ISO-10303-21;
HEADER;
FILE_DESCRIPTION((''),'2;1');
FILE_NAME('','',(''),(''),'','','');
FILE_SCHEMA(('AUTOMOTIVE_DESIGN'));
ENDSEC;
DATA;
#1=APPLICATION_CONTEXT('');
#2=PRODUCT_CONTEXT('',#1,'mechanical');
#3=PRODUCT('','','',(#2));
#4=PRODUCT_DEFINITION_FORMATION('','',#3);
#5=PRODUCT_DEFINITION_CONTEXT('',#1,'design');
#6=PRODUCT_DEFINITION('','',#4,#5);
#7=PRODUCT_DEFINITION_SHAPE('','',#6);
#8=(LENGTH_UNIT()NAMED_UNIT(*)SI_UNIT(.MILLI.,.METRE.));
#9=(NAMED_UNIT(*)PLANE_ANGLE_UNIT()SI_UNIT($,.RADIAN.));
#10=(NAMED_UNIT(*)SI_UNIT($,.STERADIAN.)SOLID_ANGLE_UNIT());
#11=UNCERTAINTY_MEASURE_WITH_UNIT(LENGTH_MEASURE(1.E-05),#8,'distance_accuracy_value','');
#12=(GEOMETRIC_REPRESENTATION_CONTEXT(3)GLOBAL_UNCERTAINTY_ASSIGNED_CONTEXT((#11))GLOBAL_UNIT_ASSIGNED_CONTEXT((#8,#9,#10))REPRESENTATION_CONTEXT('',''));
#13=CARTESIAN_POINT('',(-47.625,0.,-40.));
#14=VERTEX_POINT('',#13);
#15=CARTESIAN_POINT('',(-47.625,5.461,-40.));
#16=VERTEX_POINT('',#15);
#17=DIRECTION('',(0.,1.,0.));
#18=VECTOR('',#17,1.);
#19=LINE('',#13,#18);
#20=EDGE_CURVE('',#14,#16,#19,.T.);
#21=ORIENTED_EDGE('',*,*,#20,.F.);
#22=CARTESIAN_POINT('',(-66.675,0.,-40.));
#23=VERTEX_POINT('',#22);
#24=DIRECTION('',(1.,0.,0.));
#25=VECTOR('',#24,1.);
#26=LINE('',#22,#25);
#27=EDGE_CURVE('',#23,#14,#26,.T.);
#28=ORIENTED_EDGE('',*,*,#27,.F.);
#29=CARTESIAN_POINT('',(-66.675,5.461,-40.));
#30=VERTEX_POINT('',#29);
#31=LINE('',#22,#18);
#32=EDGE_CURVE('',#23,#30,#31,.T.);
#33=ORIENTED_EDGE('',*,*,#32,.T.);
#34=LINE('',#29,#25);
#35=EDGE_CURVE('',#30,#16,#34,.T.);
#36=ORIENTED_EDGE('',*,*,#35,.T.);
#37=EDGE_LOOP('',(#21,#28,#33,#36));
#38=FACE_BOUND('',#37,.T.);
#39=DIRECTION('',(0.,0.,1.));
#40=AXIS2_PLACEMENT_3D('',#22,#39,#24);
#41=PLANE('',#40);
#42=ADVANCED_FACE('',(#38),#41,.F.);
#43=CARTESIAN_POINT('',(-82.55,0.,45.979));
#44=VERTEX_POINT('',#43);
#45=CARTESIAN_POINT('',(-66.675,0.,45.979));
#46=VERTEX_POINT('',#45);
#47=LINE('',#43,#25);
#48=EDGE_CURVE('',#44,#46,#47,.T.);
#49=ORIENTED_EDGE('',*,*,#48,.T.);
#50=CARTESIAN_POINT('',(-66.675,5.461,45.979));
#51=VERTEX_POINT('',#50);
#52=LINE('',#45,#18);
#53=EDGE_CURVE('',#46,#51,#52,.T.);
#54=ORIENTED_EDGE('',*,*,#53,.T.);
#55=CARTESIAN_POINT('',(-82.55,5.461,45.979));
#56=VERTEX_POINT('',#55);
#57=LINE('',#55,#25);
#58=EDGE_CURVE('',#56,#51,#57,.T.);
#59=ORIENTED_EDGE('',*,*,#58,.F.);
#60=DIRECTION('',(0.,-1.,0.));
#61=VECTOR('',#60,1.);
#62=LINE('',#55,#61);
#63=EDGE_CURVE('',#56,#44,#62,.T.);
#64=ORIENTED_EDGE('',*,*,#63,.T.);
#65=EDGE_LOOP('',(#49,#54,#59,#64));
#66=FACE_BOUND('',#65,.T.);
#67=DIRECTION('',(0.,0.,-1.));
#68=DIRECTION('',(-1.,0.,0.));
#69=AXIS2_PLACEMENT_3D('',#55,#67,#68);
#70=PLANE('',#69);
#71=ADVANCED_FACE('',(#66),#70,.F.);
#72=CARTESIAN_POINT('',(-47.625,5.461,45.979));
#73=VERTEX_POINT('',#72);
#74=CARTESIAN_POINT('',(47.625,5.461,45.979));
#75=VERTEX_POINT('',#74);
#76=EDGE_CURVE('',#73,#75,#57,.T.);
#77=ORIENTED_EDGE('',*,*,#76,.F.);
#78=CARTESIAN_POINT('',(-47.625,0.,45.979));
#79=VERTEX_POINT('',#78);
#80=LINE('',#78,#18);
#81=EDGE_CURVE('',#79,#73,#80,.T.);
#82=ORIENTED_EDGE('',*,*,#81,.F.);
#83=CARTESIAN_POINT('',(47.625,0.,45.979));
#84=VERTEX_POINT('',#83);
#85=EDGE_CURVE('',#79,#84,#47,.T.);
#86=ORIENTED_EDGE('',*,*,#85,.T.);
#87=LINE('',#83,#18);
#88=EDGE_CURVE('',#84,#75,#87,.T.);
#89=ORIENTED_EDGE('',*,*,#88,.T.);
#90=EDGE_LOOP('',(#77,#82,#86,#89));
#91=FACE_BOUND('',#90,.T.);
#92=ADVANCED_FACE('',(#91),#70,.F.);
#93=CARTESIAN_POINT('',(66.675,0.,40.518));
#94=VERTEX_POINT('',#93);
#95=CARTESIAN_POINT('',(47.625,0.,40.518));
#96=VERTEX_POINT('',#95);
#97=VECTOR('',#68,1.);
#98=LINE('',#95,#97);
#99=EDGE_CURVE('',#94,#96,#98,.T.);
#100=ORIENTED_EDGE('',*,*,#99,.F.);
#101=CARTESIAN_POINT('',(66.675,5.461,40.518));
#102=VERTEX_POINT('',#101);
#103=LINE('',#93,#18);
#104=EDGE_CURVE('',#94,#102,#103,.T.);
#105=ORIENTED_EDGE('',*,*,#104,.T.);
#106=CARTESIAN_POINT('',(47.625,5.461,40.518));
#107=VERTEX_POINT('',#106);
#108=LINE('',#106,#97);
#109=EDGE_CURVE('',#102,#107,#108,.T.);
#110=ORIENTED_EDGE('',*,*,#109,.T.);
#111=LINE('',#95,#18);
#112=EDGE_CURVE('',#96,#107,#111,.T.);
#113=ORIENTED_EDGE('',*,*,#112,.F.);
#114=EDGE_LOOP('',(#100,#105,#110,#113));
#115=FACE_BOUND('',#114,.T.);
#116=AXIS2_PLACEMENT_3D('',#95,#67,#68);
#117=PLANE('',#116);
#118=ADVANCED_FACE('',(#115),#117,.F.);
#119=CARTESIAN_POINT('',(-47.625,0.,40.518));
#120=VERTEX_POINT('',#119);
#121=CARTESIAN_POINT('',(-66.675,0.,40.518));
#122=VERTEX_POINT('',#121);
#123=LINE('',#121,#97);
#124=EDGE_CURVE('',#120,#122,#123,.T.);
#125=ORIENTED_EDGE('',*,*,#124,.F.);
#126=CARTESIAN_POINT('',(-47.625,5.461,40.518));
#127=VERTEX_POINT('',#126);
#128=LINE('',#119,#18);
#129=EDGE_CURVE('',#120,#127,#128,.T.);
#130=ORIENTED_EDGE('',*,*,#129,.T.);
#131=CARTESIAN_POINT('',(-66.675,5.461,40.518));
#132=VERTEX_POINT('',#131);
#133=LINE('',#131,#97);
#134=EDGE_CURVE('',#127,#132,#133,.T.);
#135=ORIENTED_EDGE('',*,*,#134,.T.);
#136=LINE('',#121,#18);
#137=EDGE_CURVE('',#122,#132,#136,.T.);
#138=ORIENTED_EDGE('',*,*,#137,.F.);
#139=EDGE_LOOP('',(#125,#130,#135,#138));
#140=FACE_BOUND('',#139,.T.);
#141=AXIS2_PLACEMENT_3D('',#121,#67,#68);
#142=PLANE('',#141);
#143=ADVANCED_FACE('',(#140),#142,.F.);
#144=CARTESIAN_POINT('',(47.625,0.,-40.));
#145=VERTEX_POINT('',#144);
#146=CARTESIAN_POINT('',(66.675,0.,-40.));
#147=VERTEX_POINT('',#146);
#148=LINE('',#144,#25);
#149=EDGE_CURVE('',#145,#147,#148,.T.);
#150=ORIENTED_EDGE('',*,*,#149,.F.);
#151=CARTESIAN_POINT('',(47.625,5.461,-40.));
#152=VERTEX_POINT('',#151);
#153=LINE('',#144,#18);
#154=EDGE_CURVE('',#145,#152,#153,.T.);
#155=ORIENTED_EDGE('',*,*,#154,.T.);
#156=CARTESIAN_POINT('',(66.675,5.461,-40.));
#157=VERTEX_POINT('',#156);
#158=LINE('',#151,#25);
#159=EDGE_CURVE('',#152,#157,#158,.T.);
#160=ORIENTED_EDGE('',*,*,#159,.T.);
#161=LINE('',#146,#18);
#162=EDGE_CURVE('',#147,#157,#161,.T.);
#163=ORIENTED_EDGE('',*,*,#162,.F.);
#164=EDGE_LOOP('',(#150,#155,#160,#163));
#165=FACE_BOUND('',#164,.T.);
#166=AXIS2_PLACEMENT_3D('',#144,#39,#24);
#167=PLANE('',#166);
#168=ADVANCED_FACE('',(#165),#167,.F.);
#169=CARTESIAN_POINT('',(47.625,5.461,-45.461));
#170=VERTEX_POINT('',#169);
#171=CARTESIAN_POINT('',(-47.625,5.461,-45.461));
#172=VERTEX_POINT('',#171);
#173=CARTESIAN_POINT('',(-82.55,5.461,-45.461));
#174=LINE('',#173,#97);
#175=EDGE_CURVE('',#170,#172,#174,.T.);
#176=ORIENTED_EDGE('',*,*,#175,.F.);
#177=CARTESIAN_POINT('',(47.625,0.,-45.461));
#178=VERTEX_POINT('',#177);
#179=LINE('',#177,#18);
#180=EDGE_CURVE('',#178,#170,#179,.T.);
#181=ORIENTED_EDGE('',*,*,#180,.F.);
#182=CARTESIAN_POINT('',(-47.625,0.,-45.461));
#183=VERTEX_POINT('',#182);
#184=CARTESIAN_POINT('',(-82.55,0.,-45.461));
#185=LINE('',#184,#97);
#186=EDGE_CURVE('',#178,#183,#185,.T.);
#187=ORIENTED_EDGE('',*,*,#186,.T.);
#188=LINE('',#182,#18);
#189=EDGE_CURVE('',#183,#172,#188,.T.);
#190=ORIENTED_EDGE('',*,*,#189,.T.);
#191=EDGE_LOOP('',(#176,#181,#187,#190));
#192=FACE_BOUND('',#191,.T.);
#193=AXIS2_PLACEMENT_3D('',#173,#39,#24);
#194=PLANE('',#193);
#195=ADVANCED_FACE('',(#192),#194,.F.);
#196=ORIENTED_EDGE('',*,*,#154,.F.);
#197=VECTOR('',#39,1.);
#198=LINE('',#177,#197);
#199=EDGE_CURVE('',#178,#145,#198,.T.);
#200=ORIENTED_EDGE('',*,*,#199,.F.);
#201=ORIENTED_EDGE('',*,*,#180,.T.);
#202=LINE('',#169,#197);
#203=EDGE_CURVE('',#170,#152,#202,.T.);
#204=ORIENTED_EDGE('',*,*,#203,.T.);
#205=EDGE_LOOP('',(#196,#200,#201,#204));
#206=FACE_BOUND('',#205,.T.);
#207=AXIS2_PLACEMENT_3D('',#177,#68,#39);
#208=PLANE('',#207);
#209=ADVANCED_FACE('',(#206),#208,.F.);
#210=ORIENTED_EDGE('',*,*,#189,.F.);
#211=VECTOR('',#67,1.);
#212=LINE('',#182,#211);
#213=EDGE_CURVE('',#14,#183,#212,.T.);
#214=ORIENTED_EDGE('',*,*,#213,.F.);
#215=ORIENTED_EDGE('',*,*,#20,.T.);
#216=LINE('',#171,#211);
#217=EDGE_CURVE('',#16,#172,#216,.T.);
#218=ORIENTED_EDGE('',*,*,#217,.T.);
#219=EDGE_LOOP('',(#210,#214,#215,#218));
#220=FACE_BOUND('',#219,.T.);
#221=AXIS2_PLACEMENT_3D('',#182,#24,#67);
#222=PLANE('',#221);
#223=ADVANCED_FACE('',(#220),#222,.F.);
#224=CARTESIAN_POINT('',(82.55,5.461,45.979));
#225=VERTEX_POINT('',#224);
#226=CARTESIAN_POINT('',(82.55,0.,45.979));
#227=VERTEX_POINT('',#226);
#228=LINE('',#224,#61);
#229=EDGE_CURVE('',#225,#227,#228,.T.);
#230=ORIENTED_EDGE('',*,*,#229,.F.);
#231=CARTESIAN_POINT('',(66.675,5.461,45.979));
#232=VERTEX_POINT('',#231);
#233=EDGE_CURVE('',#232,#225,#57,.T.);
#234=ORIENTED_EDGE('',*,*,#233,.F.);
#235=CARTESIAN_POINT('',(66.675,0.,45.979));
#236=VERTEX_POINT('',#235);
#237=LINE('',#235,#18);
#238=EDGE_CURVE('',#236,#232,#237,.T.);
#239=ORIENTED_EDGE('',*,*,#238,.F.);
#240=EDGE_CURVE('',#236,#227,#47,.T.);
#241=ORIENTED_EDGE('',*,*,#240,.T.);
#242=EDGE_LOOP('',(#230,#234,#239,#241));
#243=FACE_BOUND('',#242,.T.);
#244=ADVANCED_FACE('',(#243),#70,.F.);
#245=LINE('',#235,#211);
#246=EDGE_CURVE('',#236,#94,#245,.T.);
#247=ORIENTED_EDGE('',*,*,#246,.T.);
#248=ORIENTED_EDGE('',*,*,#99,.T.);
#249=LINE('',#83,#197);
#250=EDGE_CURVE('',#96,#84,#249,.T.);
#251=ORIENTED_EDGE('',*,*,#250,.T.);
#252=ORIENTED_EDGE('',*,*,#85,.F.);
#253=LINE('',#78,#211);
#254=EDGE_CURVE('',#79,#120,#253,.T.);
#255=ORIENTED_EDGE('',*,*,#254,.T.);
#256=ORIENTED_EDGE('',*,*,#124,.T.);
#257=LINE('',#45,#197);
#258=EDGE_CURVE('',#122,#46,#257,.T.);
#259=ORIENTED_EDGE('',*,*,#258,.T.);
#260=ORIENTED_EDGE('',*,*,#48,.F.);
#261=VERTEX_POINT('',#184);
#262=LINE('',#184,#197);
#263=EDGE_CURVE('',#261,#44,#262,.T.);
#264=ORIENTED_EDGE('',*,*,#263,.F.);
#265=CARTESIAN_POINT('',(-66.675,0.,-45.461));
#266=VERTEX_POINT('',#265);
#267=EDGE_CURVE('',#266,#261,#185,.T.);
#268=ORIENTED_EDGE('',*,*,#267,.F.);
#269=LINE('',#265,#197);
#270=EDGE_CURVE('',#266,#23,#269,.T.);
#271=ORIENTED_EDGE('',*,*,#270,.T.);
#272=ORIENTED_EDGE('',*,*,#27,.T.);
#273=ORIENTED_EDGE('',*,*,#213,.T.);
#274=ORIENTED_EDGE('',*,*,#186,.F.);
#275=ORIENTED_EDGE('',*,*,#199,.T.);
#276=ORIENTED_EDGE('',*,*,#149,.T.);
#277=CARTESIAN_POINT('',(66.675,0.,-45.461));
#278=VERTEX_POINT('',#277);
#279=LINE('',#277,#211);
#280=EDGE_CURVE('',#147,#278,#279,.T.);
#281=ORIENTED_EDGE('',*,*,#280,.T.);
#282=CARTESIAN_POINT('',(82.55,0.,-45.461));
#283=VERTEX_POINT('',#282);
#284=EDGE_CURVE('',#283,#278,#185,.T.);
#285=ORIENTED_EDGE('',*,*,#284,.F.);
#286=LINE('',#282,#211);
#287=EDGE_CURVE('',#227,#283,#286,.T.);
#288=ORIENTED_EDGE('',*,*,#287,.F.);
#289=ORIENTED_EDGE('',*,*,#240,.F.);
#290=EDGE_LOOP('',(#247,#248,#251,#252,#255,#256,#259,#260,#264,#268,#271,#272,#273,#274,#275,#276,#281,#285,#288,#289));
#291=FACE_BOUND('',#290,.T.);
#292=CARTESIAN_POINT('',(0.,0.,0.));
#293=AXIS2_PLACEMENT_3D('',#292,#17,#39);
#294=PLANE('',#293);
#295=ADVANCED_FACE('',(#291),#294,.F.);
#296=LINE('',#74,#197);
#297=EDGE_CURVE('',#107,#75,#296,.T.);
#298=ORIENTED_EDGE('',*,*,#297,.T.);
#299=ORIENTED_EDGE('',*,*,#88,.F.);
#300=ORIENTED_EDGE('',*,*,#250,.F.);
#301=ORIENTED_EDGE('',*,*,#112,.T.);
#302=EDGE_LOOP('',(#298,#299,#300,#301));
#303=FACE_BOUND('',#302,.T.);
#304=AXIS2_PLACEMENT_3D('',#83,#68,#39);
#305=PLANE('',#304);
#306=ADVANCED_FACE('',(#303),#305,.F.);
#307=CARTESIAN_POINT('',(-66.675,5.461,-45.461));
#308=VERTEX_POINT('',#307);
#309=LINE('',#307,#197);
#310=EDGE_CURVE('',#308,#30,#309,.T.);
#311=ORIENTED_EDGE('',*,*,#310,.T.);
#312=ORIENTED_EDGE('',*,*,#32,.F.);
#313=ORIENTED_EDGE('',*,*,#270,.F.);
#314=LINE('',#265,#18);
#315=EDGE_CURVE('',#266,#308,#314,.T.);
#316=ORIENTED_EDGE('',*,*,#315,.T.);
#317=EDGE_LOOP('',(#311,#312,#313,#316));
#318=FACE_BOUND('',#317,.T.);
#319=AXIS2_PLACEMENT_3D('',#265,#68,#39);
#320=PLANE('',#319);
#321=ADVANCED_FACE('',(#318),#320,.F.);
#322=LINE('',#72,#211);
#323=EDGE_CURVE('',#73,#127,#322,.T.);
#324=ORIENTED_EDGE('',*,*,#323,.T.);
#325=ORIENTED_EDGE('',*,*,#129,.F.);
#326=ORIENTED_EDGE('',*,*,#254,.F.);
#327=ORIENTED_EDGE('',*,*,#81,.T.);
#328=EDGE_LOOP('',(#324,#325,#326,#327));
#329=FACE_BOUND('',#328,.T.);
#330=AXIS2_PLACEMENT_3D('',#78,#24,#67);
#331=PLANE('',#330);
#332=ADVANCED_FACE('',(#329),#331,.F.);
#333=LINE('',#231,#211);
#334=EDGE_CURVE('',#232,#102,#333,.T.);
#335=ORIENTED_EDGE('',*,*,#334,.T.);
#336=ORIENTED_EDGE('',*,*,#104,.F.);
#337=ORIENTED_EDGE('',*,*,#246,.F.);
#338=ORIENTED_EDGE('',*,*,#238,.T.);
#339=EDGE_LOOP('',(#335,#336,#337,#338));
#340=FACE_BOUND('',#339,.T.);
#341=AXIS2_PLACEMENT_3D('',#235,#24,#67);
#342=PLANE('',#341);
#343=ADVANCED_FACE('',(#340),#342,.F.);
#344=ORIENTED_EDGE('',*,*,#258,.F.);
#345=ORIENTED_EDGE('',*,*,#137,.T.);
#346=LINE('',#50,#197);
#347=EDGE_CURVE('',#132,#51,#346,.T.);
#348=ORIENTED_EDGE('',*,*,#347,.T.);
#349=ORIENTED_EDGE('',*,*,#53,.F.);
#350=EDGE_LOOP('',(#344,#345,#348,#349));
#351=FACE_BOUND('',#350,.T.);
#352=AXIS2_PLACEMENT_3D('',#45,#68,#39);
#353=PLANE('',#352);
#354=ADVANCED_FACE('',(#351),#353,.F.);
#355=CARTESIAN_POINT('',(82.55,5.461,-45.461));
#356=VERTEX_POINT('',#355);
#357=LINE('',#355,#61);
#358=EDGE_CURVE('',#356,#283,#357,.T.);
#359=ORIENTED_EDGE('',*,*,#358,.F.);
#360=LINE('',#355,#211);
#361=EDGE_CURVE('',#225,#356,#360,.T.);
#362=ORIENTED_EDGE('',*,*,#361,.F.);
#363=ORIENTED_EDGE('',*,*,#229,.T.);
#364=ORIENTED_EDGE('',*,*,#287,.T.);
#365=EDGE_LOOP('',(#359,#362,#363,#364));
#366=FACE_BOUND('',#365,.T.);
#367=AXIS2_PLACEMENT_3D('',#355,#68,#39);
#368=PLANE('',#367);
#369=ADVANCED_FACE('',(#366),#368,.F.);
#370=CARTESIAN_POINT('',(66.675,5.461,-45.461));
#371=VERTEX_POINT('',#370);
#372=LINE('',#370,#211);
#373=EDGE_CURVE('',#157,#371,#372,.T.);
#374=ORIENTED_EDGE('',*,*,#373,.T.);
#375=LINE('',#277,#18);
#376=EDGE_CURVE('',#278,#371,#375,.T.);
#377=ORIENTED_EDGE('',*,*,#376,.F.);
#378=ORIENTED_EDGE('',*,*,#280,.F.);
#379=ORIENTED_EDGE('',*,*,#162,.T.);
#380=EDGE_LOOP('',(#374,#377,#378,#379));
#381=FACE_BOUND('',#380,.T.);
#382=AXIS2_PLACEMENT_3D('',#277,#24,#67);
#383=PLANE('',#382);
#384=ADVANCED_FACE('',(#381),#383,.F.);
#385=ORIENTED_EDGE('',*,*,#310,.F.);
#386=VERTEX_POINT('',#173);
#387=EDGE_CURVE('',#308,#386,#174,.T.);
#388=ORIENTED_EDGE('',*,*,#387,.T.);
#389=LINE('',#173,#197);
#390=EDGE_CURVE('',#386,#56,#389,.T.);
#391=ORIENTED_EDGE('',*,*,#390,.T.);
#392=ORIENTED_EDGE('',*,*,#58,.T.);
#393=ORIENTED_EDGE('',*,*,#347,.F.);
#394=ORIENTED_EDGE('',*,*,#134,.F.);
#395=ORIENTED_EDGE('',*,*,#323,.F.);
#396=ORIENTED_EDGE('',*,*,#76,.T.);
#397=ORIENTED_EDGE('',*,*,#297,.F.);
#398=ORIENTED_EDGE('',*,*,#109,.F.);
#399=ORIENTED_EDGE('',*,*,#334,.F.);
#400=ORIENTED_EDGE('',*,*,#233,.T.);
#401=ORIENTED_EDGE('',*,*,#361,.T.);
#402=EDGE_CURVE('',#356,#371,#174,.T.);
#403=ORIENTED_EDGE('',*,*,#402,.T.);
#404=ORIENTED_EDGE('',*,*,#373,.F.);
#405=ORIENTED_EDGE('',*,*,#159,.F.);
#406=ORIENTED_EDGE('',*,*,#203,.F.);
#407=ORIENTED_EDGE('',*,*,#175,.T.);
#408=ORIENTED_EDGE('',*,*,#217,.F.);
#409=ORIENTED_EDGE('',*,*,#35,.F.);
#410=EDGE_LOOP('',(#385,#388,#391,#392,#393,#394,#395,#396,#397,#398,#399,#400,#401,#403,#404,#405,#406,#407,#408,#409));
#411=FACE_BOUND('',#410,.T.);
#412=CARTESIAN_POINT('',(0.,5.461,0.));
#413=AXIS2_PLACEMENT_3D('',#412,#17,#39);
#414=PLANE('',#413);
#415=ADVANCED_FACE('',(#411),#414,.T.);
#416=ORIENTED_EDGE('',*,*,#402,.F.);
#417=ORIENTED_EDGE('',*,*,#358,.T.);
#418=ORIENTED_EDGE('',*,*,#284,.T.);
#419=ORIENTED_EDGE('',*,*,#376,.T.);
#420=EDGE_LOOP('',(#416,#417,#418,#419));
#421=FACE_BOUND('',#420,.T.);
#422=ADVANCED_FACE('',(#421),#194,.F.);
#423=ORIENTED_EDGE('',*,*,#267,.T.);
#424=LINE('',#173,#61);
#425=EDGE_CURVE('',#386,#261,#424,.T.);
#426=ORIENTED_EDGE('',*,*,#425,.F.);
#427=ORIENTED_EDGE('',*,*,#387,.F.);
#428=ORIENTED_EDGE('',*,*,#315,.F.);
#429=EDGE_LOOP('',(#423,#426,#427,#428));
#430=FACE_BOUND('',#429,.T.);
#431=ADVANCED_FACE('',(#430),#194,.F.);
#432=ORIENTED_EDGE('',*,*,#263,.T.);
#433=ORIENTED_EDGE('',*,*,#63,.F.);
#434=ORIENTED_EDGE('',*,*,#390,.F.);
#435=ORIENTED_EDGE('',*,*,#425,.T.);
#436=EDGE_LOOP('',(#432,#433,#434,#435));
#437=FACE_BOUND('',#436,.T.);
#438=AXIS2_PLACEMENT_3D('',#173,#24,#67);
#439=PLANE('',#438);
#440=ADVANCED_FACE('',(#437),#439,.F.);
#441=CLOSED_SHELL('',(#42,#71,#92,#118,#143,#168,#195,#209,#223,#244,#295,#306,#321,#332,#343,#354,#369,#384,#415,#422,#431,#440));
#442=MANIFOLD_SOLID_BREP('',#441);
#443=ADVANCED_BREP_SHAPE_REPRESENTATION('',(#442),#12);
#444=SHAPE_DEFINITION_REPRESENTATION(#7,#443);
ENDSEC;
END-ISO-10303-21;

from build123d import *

# Parameters (mm, degrees)
SKETCH1_W           = 165.1
SKETCH1_H           = 91.44
BOSS_EXTRUDE1_DEPTH = 5.461
SKETCH2_W           = 19.05
SKETCH2_H           = 5.461
CUT_EXTRUDE1_DEPTH  = 6.461
BOSS_EXTRUDE2_DEPTH = 5.461


with BuildPart() as part:
    # Sketch1 → Boss-Extrude1 (new body)
    with BuildSketch(Plane(origin=(0, 0, 0), x_dir=(1, 0, 0), z_dir=(0, 1, 0))):
        with Locations((0, -0.259)):
            Rectangle(SKETCH1_W, SKETCH1_H)
        with BuildLine():
            Line((-47.5, 40), (47.5, 40))
            ThreePointArc((47.5, 40), (52.803300859, 37.803300859), (55, 32.5))
            Line((55, 32.5), (55, -32.5))
            ThreePointArc((55, -32.5), (52.803300859, -37.803300859), (47.5, -40))
            Line((47.5, -40), (-47.5, -40))
            ThreePointArc((-47.5, -40), (-52.803300859, -37.803300859), (-55, -32.5))
            Line((-55, -32.5), (-55, 32.5))
            ThreePointArc((-55, 32.5), (-52.803300859, 37.803300859), (-47.5, 40))
        make_face(mode=Mode.SUBTRACT)
    extrude(amount=BOSS_EXTRUDE1_DEPTH)

    # Sketch2 → Cut-Extrude1 (cut, through all)
    with BuildSketch(Plane(origin=(0, 5.461, 0), x_dir=(1, 0, 0), z_dir=(0, 1, 0))):
        with Locations((-57.15, 42.7305)):
            Rectangle(SKETCH2_W, SKETCH2_H)
        with Locations((-57.15, -43.2485)):
            Rectangle(SKETCH2_W, SKETCH2_H)
        with Locations((57.15, -43.2485)):
            Rectangle(SKETCH2_W, SKETCH2_H)
        with Locations((57.15, 42.7305)):
            Rectangle(SKETCH2_W, SKETCH2_H)
    extrude(amount=-CUT_EXTRUDE1_DEPTH, mode=Mode.SUBTRACT)

    # Sketch1<3> → Boss-Extrude2 (add)
    with BuildSketch(Plane(origin=(0, 0, 0), x_dir=(1, 0, 0), z_dir=(0, 1, 0))):
        with BuildLine():
            Line((-47.5, 40), (47.5, 40))
            ThreePointArc((47.5, 40), (52.803300859, 37.803300859), (55, 32.5))
            Line((55, 32.5), (55, -32.5))
            ThreePointArc((55, -32.5), (52.803300859, -37.803300859), (47.5, -40))
            Line((47.5, -40), (-47.5, -40))
            ThreePointArc((-47.5, -40), (-52.803300859, -37.803300859), (-55, -32.5))
            Line((-55, -32.5), (-55, 32.5))
            ThreePointArc((-55, 32.5), (-52.803300859, 37.803300859), (-47.5, 40))
        make_face()
    extrude(amount=BOSS_EXTRUDE2_DEPTH)


solid = part.part
